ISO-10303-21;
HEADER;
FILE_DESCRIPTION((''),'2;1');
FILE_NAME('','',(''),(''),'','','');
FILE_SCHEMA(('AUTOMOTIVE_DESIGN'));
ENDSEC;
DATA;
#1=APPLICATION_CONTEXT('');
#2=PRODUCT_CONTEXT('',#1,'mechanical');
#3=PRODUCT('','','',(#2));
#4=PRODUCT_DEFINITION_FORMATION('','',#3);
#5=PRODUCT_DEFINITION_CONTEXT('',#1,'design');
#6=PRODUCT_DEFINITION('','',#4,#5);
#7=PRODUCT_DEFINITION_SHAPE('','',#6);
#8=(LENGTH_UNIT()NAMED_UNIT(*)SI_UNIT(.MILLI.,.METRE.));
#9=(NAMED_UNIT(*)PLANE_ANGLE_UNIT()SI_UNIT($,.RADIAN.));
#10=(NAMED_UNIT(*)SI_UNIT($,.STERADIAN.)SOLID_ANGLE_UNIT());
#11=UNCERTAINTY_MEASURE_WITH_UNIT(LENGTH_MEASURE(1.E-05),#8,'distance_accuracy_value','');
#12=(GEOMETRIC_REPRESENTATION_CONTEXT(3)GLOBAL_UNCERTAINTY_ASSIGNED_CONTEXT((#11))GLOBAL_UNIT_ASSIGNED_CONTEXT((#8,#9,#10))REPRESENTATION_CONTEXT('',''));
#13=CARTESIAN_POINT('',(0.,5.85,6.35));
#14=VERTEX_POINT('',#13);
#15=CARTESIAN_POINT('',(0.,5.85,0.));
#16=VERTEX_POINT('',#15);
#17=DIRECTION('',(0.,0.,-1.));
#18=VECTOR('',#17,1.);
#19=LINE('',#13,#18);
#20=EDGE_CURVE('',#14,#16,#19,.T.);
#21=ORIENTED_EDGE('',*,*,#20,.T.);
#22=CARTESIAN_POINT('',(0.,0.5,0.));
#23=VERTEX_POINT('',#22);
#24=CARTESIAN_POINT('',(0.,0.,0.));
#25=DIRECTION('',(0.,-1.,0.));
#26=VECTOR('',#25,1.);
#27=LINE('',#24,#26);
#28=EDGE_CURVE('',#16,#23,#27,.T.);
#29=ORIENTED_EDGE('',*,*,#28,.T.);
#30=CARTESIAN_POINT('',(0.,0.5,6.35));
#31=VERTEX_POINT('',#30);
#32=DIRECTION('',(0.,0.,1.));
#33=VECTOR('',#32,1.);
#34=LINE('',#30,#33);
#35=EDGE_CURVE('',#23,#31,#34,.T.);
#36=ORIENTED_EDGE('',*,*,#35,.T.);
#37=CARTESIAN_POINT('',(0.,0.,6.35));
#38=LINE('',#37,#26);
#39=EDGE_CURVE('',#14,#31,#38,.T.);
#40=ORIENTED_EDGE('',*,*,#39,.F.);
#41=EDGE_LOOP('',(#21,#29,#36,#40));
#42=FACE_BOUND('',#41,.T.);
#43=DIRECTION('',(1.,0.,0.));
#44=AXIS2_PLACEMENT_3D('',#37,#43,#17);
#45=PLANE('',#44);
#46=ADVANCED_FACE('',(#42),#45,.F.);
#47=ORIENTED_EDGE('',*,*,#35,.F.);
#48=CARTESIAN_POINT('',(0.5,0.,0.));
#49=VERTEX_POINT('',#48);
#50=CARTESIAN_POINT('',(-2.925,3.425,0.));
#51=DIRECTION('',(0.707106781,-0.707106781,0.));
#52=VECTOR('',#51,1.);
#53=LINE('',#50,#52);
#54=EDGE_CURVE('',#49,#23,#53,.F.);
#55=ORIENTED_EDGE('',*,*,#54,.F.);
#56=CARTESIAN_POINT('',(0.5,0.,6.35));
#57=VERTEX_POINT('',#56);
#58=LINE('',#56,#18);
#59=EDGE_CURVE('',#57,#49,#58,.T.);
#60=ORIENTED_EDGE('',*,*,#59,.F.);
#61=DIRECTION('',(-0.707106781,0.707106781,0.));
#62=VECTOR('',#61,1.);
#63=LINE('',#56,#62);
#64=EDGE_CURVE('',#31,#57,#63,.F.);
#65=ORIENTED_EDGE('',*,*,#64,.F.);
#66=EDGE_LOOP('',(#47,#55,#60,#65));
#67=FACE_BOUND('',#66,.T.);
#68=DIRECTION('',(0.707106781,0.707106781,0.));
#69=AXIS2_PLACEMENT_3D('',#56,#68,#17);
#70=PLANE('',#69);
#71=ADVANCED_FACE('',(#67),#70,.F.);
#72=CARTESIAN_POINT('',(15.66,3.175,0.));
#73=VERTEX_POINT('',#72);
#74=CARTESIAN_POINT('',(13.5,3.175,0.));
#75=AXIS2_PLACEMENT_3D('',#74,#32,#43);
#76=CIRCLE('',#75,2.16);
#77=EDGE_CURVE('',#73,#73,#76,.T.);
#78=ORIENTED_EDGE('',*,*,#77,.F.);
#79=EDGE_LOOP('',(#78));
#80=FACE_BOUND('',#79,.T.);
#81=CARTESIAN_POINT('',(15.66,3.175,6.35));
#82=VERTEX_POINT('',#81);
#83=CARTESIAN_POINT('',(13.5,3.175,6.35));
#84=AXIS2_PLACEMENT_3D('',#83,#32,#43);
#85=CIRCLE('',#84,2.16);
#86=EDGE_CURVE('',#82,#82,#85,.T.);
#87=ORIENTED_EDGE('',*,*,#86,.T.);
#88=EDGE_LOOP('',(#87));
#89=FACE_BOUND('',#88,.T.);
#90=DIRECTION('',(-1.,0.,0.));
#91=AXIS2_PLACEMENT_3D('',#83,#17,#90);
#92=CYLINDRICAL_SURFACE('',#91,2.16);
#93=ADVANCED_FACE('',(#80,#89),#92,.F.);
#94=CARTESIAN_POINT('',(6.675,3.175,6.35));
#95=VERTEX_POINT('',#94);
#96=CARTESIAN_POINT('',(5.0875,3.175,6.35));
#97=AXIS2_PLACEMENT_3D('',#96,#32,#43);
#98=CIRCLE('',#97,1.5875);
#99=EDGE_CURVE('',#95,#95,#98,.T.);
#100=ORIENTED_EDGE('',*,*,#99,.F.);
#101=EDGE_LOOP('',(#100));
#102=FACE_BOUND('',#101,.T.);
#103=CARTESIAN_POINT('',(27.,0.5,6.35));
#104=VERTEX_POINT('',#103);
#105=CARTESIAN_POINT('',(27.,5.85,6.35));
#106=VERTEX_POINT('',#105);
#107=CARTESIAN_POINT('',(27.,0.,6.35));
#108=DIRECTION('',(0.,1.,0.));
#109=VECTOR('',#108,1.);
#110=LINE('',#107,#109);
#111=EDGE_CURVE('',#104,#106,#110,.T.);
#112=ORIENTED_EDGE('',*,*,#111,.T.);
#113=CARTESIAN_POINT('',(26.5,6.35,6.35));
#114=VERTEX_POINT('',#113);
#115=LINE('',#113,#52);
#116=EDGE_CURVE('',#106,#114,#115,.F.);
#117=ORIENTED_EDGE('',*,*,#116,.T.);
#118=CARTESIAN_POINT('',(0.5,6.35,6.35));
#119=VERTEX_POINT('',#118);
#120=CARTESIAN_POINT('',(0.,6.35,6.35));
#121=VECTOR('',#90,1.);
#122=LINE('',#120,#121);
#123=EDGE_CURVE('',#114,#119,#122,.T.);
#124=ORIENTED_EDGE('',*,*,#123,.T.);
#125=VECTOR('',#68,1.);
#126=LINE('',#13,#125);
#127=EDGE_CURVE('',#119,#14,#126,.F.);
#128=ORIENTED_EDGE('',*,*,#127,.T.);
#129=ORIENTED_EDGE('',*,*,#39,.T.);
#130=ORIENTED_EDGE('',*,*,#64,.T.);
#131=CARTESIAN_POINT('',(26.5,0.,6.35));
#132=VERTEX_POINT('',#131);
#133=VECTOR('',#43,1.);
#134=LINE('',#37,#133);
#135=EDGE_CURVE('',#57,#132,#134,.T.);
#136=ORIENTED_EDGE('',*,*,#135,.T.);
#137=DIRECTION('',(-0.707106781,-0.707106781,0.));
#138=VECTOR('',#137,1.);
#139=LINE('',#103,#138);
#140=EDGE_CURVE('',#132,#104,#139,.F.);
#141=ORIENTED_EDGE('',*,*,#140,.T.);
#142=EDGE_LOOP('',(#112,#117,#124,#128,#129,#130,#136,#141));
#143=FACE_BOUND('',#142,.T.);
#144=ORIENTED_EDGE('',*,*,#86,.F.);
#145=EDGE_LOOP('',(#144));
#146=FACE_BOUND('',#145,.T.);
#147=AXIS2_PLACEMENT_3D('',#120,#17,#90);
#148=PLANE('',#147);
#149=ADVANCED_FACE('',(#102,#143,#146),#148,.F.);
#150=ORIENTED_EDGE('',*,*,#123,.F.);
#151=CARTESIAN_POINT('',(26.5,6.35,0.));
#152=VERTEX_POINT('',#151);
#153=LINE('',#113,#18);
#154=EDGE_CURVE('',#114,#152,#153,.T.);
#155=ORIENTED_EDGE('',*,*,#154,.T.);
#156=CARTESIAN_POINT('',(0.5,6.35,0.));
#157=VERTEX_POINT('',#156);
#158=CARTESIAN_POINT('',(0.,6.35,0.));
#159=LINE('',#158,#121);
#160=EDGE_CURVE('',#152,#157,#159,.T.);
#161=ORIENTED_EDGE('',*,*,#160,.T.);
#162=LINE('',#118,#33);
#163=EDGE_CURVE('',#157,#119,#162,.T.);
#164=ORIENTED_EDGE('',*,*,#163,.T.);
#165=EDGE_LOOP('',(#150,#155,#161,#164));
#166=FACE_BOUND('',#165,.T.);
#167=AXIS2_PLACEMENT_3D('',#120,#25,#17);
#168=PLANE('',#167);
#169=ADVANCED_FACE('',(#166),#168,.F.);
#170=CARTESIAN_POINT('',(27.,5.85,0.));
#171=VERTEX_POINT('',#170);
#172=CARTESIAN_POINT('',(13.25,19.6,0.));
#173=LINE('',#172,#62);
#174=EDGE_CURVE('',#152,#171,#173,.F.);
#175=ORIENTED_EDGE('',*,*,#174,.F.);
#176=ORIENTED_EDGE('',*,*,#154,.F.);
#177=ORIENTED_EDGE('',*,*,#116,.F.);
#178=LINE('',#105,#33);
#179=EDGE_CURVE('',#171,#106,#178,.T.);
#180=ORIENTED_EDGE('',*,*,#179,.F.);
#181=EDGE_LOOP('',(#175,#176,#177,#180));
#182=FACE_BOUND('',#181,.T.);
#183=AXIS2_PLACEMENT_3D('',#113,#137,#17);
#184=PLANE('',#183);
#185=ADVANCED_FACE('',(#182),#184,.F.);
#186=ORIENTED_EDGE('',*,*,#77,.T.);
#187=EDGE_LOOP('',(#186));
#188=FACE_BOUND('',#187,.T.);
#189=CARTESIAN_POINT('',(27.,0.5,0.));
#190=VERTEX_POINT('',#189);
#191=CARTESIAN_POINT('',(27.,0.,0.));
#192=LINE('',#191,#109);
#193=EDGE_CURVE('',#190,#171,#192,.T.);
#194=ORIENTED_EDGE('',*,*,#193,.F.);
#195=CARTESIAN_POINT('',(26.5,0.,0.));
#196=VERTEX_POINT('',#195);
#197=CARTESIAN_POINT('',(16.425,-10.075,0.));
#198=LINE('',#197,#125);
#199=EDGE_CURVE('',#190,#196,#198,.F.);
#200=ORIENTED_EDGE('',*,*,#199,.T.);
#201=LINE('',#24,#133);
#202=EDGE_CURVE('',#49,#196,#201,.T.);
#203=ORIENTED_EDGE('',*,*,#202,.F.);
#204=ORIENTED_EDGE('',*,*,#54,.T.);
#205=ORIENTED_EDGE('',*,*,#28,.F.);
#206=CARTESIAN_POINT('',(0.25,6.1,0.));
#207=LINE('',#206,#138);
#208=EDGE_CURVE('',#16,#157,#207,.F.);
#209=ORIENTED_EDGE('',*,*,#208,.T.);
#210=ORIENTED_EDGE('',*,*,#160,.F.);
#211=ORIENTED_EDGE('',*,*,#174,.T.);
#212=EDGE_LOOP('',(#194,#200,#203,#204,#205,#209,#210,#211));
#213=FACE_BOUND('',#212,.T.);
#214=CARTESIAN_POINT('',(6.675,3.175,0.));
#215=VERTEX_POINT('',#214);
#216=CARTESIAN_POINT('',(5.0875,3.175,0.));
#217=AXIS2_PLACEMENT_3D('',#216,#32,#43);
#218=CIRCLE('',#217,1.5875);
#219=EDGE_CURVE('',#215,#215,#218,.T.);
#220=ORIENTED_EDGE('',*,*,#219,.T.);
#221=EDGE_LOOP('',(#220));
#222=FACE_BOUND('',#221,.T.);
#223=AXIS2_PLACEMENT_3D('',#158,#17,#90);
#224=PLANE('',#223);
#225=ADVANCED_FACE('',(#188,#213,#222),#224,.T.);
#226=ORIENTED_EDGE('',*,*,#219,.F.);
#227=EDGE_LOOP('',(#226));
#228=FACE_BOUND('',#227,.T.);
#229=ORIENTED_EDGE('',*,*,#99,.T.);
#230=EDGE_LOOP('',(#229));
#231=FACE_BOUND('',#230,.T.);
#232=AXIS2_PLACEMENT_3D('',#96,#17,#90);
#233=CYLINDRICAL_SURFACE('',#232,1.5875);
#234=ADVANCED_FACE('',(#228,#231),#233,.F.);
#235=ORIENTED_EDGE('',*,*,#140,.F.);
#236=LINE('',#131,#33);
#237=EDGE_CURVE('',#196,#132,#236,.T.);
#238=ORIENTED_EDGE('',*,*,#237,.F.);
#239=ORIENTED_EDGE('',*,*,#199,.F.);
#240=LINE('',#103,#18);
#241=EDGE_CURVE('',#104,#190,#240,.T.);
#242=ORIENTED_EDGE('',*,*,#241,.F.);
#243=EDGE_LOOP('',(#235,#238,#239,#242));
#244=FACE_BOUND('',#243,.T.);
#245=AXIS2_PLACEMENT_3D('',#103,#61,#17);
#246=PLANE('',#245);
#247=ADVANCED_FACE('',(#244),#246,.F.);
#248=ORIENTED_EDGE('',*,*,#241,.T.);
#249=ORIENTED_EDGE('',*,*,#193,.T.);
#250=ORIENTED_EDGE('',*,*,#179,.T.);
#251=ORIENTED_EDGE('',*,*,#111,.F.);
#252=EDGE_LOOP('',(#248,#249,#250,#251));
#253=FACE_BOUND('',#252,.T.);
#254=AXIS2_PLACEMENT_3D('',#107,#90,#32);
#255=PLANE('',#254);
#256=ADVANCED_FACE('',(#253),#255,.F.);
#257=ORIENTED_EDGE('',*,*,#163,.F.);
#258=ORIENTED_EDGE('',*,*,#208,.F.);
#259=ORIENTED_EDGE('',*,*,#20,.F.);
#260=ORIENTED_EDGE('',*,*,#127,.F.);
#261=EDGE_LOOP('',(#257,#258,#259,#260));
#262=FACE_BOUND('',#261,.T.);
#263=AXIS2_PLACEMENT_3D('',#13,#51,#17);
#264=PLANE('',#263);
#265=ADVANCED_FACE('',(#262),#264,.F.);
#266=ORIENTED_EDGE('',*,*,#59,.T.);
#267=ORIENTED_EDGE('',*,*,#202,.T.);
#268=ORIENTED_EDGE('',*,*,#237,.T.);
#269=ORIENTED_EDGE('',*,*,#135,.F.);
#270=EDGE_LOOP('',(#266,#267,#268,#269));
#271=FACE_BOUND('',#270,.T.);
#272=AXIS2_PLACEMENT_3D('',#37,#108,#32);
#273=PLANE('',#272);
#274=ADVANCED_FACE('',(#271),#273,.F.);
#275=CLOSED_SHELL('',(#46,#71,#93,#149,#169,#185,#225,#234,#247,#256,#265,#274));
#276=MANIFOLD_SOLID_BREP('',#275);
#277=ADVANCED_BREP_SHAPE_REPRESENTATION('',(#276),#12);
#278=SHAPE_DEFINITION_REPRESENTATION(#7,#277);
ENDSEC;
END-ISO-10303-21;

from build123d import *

# Parameters (mm, degrees)
SKETCH1_W           = 27
SKETCH1_H           = 6.35
SKETCH1_R           = 2.16
SKETCH1_R_2         = 1.5875
BOSS_EXTRUDE1_DEPTH = 6.35
CHAMFER1_SIZE       = 0.5


with BuildPart() as part:
    # Sketch1 → Boss-Extrude1 (new body)
    with BuildSketch(Plane.XY):
        with Locations((13.5, 3.175)):
            Rectangle(SKETCH1_W, SKETCH1_H)
        with Locations((13.5, 3.175)):
            Circle(SKETCH1_R, mode=Mode.SUBTRACT)
        with Locations((5.0875, 3.175)):
            Circle(SKETCH1_R_2, mode=Mode.SUBTRACT)
    extrude(amount=BOSS_EXTRUDE1_DEPTH)

    # Chamfer1
    chamfer1_edges = [part.edges().sort_by_distance(p)[0] for p in [
        (0, 6.35, 3.175),
        (27, 6.35, 3.175),
        (27, 0, 3.175),
        (0, 0, 3.175),
    ]]
    chamfer(chamfer1_edges, length=CHAMFER1_SIZE)


solid = part.part
